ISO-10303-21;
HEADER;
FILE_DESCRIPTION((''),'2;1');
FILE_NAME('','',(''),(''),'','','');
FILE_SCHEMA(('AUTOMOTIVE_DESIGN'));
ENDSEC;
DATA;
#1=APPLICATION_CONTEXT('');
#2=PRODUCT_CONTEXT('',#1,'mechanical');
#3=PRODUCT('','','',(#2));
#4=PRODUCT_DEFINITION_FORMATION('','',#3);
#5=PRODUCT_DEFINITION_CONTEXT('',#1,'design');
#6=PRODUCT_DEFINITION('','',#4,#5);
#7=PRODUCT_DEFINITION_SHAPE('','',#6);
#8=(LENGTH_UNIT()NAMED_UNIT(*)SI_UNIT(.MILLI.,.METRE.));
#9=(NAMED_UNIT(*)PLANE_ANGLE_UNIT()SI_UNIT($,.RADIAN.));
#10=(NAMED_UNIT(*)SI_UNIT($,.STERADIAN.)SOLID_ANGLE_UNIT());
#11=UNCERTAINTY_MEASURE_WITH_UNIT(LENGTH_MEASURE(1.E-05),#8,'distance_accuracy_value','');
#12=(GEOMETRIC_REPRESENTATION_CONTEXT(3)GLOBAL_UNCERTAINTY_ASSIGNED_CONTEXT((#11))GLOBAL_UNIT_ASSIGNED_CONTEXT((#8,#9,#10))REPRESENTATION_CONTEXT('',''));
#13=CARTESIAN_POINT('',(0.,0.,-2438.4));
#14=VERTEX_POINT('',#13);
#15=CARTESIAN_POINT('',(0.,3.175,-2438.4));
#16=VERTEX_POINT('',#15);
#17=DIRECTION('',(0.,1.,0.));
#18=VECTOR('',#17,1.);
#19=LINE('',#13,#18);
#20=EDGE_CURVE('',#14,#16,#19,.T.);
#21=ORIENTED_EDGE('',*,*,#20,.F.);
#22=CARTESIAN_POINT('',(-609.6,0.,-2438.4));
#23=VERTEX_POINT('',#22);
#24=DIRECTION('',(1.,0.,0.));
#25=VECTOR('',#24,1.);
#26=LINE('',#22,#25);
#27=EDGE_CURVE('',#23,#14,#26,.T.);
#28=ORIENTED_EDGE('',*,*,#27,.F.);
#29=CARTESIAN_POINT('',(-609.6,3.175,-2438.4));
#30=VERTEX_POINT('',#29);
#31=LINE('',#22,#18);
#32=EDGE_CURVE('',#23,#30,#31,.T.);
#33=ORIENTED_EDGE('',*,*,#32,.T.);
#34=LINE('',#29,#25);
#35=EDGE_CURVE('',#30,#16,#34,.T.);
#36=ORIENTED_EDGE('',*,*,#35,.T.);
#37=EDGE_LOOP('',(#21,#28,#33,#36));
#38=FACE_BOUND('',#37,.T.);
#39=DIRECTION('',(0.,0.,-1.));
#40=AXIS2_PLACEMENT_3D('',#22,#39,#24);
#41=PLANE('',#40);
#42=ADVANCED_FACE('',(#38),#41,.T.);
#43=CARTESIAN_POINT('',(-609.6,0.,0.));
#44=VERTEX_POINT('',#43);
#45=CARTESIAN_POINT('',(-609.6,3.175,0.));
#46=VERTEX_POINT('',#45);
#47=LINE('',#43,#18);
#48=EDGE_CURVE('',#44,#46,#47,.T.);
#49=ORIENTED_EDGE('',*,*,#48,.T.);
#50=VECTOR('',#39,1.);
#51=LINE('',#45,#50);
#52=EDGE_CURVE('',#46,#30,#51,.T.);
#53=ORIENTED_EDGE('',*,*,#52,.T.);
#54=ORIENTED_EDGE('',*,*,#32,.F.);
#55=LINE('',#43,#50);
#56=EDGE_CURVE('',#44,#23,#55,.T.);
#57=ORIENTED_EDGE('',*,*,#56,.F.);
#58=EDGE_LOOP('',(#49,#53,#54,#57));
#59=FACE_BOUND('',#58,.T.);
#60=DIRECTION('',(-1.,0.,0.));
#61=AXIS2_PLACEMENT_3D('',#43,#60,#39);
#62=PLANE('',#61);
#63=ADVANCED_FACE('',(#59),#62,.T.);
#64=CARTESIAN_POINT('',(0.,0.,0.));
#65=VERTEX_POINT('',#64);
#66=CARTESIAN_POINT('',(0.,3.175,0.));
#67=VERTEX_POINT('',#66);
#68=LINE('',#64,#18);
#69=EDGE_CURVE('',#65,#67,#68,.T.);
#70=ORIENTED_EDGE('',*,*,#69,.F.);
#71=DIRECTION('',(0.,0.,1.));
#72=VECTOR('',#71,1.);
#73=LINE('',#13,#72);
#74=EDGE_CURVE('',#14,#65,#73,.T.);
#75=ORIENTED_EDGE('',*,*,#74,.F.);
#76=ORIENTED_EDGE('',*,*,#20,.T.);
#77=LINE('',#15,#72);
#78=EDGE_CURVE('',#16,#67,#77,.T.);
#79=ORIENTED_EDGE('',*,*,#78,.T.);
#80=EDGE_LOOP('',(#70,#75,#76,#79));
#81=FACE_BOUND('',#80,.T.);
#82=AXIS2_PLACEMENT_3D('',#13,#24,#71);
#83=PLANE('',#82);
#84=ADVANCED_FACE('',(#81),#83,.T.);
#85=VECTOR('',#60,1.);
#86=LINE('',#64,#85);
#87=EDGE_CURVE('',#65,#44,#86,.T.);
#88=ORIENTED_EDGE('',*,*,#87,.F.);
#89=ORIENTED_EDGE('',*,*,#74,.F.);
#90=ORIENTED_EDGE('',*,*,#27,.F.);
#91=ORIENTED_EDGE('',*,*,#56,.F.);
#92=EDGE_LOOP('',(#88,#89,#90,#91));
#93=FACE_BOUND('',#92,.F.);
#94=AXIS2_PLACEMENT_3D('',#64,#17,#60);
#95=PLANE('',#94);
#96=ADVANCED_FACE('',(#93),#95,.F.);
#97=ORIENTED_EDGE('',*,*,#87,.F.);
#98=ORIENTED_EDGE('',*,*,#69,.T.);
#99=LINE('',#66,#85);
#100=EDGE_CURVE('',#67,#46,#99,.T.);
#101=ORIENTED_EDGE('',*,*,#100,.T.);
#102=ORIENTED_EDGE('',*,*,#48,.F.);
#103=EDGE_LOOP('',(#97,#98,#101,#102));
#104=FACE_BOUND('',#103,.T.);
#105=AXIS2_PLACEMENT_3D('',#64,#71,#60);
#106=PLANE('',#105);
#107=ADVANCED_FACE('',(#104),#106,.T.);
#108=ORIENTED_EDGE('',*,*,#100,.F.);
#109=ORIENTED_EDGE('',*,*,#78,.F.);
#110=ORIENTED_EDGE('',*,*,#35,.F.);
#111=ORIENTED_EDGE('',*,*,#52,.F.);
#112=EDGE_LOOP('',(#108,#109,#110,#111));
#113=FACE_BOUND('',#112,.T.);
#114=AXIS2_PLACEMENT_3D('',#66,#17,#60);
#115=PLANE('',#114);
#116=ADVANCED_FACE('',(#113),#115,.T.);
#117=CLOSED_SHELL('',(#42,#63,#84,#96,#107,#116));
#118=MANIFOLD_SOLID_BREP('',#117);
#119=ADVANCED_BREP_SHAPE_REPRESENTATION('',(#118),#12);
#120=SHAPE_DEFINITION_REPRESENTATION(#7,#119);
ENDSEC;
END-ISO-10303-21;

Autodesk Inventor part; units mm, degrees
ref_plane "YZ Plane" through (0, 0, 0) normal (1, 0, 0) x (0, 1, 0)
ref_plane "XZ Plane" through (0, 0, 0) normal (0, 1, 0) x (-1, 0, 0)
ref_plane "XY Plane" through (0, 0, 0) normal (0, 0, 1) x (1, 0, 0)
sketch "Sketch1" plane through (0, 0, 0) normal (0, 1, 0) x (-1, 0, 0)
  line L0 (0, 0) -> (609.6, 0)
  line L1 (609.6, 0) -> (609.6, -2438.4)
  line L2 (609.6, -2438.4) -> (0, -2438.4)
  line L3 (0, -2438.4) -> (0, 0)
  dimension "d0" = 609.6
  dimension "d1" = 2438.4
extrude "Extrusion1" add sketch "Sketch1" along normal blind 3.175
properties part number "Plate2ftx8ft"
